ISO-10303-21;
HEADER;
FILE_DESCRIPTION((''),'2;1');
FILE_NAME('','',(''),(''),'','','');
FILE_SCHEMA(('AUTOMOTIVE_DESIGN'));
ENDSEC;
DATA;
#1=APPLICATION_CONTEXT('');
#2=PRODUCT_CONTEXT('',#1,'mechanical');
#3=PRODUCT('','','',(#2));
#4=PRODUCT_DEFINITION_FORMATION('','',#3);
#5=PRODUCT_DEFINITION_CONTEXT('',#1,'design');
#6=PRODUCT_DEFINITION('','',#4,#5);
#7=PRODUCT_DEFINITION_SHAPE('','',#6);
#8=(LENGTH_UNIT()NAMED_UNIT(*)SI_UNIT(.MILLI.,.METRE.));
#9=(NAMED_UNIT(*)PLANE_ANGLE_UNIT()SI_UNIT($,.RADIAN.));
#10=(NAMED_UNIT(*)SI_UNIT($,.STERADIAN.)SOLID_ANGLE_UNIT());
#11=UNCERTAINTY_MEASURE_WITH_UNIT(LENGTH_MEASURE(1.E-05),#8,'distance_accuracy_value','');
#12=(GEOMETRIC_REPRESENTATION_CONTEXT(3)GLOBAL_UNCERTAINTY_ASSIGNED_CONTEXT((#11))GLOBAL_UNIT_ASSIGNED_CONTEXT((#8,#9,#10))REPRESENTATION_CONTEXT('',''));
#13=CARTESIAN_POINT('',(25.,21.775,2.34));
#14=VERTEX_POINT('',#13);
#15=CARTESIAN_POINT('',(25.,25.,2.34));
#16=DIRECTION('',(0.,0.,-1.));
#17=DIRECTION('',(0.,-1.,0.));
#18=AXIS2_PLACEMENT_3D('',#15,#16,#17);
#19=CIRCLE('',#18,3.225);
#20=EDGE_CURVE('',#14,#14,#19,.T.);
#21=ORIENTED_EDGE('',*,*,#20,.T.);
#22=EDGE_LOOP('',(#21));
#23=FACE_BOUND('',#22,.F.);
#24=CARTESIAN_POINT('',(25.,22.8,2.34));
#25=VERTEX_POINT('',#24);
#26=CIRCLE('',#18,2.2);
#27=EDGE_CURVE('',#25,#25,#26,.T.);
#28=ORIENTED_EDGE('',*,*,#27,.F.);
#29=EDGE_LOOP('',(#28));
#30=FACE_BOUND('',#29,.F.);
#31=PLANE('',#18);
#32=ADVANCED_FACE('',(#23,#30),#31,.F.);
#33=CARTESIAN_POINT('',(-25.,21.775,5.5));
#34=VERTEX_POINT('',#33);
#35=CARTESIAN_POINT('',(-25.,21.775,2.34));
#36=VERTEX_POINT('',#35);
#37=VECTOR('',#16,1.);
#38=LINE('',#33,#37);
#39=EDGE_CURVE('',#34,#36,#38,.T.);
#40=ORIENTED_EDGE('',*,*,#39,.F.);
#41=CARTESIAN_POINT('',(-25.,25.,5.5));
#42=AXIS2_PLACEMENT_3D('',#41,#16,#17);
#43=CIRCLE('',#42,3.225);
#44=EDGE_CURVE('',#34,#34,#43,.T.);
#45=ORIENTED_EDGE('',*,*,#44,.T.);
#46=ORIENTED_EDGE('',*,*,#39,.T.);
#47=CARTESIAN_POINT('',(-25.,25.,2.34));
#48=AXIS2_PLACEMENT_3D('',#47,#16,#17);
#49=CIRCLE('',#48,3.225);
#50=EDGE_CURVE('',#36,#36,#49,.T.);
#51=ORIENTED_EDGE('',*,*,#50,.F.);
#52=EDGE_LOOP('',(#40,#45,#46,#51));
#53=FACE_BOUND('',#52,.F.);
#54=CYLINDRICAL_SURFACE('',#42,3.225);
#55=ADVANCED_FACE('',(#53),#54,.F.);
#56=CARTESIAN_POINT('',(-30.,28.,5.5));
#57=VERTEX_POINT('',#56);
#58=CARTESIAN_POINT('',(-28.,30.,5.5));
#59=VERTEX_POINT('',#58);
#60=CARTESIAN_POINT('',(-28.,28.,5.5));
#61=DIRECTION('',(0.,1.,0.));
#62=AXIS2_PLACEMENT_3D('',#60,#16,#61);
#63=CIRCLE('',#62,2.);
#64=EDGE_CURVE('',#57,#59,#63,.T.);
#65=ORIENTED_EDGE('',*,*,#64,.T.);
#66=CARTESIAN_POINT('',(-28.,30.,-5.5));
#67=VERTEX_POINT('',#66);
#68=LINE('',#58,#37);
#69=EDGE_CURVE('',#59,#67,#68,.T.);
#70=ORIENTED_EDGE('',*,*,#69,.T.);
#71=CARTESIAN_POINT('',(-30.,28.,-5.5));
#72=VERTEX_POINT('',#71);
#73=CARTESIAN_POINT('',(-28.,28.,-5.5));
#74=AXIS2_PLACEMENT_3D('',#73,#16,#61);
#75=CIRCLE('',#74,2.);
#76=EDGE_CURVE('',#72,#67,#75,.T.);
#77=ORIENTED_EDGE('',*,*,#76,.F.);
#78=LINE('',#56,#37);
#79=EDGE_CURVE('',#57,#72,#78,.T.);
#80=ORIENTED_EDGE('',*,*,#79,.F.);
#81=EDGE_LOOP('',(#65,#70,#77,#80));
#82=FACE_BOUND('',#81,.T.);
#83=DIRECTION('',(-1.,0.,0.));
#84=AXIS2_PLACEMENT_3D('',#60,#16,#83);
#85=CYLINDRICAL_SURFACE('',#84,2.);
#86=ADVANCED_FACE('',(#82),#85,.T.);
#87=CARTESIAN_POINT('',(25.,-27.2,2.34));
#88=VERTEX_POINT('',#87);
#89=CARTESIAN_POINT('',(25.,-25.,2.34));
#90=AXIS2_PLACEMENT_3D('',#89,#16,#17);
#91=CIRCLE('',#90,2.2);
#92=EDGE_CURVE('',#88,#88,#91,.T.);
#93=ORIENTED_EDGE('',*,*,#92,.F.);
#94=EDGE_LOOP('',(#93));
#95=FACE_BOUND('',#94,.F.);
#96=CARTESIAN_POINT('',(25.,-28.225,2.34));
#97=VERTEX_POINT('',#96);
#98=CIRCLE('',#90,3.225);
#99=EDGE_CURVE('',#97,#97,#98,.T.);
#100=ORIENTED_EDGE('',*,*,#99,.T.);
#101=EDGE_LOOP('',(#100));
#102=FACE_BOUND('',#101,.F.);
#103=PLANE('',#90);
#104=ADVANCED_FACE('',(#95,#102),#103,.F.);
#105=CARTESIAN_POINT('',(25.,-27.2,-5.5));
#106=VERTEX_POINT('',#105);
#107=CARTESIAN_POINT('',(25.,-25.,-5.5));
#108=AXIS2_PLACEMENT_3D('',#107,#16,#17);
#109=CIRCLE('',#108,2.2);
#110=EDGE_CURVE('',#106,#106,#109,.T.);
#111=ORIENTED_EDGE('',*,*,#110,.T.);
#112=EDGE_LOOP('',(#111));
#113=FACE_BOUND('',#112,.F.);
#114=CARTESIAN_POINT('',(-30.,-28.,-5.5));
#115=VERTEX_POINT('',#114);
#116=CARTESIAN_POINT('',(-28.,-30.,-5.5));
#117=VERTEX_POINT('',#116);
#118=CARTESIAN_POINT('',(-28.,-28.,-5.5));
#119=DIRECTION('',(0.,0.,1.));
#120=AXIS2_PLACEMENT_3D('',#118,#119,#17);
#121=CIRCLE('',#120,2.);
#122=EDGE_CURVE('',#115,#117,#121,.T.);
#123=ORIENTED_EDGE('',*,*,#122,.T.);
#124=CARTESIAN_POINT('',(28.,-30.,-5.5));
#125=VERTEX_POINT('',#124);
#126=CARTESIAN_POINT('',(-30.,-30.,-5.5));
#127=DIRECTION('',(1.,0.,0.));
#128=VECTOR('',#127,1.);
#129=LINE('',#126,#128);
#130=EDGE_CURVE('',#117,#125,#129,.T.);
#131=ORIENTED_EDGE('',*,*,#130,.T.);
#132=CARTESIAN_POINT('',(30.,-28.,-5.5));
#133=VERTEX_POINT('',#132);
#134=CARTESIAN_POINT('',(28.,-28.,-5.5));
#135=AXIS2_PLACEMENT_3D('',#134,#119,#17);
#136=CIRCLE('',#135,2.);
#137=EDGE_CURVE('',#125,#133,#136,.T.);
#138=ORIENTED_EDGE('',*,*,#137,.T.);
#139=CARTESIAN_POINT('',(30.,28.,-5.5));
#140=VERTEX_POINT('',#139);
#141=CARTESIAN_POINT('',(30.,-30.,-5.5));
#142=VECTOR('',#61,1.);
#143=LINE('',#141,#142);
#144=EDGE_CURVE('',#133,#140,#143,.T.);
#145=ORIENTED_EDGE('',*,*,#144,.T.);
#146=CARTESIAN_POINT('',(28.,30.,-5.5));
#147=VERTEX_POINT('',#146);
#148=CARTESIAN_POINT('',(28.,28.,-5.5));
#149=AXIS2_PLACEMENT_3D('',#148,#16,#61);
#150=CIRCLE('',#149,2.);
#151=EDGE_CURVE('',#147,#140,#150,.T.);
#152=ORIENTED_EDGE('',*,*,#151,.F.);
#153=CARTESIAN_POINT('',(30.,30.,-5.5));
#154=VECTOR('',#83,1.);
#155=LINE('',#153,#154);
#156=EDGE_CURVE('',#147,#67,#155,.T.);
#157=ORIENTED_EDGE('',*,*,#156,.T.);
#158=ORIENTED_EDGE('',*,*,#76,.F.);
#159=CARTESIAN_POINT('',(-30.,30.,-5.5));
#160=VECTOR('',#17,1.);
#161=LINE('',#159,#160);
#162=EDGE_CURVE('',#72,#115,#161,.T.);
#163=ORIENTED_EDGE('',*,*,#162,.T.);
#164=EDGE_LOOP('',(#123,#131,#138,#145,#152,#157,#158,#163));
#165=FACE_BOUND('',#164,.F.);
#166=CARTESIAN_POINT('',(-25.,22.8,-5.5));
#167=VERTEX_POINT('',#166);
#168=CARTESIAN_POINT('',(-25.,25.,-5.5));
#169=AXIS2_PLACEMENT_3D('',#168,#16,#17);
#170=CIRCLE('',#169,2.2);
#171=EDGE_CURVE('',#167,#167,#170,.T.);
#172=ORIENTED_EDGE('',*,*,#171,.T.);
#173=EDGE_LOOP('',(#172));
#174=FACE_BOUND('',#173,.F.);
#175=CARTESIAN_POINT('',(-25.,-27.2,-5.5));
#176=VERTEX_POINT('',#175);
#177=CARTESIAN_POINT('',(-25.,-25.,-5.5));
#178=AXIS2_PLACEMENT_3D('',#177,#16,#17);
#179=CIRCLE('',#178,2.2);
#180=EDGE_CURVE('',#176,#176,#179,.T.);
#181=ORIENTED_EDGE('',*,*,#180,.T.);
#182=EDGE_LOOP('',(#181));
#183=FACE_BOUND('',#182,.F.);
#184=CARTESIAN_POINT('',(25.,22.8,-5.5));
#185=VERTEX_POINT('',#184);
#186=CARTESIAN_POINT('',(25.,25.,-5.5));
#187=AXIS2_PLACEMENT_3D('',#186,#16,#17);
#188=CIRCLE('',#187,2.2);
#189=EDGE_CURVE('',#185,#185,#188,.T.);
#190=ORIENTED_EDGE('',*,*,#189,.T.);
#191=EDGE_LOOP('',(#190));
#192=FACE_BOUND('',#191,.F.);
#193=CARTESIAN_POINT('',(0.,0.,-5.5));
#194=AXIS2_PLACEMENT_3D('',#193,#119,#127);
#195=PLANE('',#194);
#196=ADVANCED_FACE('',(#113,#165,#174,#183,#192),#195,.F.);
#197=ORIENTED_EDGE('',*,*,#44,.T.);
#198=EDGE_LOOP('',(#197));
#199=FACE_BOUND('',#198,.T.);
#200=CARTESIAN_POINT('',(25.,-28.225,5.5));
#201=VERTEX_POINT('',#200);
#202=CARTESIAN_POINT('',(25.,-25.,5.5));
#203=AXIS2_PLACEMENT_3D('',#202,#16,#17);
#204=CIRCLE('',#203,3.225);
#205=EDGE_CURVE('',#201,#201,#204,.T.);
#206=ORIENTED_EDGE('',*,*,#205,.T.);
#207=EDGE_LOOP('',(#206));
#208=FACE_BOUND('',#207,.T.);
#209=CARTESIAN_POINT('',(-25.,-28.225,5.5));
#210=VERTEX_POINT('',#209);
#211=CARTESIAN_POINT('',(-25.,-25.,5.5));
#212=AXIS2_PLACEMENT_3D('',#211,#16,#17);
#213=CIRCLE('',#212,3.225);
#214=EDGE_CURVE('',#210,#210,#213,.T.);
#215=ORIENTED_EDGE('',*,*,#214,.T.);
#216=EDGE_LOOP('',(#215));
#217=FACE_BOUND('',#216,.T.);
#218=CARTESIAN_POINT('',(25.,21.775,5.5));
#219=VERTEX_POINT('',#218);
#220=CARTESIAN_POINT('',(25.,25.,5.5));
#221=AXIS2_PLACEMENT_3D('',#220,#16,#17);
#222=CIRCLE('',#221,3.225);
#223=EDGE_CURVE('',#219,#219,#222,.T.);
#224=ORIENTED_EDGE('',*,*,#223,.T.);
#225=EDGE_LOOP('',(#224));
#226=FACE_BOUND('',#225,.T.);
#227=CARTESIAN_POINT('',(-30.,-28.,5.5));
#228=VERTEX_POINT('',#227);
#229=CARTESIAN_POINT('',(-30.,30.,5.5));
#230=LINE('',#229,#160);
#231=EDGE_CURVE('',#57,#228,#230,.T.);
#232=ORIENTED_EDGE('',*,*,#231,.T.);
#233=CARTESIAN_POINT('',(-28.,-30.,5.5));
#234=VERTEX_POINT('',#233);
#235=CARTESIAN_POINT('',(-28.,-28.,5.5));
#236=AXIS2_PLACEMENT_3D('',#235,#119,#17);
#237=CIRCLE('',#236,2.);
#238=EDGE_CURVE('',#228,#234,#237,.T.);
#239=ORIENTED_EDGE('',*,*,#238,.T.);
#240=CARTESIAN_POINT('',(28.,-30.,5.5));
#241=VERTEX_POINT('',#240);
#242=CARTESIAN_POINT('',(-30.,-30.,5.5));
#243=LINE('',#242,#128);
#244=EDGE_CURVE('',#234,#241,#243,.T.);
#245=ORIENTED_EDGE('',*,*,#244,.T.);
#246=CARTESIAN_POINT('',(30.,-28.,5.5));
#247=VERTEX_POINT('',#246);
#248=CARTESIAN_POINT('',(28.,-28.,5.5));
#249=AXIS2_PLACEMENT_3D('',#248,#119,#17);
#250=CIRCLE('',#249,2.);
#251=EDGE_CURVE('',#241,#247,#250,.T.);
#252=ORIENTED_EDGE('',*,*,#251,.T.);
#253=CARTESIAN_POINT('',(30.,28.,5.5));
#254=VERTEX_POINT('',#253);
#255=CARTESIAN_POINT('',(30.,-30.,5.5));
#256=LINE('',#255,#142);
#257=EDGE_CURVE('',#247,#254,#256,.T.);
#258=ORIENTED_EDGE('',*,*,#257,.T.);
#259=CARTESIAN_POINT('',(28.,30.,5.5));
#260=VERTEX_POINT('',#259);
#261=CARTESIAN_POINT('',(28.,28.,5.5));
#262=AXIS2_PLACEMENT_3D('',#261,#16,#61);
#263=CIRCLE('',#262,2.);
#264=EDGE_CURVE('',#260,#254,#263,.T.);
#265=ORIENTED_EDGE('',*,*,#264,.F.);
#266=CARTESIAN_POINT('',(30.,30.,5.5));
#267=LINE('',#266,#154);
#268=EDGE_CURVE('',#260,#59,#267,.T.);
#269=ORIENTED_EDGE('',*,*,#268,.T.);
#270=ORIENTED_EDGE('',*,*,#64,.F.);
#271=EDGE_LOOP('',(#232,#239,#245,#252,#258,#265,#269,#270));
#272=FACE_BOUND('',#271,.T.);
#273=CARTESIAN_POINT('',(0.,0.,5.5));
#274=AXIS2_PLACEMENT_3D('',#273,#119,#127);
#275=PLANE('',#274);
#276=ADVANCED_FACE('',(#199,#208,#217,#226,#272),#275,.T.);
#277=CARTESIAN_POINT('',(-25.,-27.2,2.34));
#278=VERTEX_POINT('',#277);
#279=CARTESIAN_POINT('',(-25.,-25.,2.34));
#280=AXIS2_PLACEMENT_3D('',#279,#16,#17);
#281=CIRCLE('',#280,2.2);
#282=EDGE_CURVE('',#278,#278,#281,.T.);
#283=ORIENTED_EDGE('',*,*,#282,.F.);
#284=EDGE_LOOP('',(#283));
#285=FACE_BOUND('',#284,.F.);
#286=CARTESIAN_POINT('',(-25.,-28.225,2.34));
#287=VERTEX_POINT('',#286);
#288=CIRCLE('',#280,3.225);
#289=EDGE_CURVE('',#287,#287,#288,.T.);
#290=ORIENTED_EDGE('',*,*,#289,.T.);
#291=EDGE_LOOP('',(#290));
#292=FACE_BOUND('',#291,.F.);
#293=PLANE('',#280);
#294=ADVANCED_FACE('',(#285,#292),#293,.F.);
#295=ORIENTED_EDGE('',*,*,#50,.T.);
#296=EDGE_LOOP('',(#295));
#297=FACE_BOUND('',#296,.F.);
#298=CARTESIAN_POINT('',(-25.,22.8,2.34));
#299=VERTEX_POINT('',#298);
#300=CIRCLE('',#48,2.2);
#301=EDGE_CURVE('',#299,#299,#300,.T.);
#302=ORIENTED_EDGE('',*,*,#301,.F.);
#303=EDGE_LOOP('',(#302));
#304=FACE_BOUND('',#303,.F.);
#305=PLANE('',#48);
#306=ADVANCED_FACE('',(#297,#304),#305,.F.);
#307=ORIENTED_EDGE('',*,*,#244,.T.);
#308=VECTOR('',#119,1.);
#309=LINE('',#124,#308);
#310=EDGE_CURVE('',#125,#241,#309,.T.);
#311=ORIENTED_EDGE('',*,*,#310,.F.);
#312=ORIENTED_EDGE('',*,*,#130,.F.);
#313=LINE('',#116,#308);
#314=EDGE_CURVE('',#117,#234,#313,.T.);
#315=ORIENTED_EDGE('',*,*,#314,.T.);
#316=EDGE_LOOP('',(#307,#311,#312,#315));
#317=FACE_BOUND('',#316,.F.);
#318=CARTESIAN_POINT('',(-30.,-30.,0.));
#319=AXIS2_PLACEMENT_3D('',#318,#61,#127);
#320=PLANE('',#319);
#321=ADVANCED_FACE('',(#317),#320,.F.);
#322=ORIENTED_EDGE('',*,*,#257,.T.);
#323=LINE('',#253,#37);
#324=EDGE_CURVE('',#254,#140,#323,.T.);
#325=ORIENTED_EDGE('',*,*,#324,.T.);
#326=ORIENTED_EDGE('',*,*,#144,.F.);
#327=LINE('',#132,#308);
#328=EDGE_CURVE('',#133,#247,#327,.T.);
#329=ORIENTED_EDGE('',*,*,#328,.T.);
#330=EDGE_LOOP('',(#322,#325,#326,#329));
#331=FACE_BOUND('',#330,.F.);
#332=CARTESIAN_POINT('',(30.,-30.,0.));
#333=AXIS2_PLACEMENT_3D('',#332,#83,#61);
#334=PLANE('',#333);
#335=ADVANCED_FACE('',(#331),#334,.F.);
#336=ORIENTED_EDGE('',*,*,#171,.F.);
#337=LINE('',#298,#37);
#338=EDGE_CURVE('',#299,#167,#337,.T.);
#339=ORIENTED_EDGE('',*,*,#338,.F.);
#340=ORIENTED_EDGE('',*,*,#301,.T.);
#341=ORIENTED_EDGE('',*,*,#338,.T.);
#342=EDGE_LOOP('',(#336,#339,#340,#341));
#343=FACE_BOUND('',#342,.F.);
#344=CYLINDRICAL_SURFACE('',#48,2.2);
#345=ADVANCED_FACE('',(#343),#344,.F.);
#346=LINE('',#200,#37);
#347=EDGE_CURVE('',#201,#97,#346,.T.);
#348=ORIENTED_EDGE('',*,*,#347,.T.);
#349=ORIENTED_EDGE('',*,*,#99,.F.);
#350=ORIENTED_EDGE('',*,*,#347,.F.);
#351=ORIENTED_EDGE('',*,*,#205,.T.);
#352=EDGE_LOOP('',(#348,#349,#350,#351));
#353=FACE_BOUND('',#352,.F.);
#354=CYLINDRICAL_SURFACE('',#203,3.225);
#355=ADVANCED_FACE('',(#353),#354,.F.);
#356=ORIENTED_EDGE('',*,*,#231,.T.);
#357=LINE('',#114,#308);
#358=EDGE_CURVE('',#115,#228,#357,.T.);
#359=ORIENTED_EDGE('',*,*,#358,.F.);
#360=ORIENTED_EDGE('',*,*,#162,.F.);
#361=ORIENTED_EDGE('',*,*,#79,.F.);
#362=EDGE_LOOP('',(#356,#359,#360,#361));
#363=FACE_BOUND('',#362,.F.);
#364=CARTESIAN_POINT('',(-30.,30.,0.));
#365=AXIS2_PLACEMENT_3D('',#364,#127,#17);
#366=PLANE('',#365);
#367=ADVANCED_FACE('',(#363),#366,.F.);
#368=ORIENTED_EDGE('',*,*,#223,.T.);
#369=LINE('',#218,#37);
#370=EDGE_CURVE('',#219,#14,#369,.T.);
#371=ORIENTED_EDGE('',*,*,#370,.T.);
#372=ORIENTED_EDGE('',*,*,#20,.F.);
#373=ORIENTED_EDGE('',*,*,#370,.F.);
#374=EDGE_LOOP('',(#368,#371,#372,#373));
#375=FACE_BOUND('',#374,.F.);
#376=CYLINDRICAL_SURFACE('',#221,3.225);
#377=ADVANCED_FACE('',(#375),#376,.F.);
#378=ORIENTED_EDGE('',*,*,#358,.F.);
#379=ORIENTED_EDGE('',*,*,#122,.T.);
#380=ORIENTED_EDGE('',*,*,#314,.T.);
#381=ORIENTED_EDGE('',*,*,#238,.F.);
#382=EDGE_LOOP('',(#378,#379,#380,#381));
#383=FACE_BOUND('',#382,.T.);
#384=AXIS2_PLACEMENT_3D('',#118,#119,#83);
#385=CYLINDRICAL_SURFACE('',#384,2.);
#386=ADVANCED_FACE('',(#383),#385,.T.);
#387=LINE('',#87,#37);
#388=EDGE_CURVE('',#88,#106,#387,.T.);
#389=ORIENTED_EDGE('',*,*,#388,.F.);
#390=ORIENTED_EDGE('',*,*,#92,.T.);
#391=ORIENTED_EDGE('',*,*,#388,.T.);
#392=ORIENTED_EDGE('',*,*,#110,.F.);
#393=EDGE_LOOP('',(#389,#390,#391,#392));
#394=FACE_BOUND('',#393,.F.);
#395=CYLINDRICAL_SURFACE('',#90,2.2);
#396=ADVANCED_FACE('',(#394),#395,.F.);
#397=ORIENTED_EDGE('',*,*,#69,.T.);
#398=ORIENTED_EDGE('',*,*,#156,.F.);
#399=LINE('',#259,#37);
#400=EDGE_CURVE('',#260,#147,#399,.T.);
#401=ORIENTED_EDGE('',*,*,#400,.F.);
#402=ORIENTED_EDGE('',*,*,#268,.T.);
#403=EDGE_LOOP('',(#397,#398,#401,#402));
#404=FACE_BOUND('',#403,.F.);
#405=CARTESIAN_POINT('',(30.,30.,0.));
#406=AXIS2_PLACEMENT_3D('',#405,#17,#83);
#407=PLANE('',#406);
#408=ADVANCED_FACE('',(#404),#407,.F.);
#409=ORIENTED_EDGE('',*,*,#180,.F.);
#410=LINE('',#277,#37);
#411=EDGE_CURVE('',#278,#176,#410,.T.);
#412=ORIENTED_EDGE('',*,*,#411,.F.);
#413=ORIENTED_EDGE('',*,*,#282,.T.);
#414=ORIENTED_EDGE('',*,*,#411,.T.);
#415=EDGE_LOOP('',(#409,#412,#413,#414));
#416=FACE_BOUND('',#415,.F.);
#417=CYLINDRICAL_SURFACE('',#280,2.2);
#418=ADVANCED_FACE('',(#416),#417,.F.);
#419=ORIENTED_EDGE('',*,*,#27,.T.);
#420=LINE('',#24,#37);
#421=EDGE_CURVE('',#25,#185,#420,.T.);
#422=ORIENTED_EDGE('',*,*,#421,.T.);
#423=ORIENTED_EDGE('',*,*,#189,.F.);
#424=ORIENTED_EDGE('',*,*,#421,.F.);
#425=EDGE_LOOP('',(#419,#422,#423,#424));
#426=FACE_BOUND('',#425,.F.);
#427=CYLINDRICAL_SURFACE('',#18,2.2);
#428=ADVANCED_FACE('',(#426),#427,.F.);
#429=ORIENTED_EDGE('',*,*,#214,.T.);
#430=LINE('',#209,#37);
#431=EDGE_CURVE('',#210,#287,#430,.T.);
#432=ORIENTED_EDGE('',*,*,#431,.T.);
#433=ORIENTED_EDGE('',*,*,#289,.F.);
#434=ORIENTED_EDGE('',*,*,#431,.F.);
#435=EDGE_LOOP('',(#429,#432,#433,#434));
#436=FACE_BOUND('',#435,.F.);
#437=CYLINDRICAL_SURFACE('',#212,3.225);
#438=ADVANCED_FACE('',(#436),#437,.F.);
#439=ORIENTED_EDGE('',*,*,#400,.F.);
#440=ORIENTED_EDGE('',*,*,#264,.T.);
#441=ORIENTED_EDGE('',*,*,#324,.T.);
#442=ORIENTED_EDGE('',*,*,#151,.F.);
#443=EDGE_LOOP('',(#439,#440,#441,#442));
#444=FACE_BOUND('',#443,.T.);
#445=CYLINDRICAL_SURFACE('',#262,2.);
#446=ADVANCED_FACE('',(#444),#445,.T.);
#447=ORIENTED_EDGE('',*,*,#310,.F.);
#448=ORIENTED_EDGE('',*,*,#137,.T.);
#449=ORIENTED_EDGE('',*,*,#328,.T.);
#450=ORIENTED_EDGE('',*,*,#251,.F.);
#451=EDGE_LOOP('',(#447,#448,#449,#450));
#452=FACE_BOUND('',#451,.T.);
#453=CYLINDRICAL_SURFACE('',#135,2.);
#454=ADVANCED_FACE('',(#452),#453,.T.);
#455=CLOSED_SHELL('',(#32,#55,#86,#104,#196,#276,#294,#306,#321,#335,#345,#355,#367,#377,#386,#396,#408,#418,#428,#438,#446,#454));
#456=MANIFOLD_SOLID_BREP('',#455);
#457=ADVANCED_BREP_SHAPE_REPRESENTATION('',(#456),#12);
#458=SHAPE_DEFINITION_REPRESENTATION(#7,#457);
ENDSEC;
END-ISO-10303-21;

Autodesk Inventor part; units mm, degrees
ref_plane "YZ Plane" through (0, 0, 0) normal (1, 0, 0) x (0, 1, 0)
ref_plane "XZ Plane" through (0, 0, 0) normal (0, 1, 0) x (-1, 0, 0)
ref_plane "XY Plane" through (0, 0, 0) normal (0, 0, 1) x (1, 0, 0)
sketch "Esquisse1" plane through (0, 0, 0) normal (0, 0, 1) x (1, 0, 0)
  line L0 (-30, -30) -> (30, -30)
  line L1 (30, -30) -> (30, 30)
  line L2 (30, 30) -> (-30, 30)
  line L3 (-30, 30) -> (-30, -30)
  line L4 (-30, -30) -> (30, 30) construction
  line L5 (30, -30) -> (-30, 30) construction
  point P0 (0, 0)
  dimension "d0" = 60
  dimension "d1" = 60
extrude "Extrusion1" add sketch "Esquisse1" along normal mid plane 11
sketch "Esquisse2" plane through (0, 0, 5.5) normal (0, 0, 1) x (1, 0, 0)
  point P0 (0, 0)
  point P1 (-25, 25)
  point P2 (25, 25)
  point P3 (25, -25)
  point P4 (-25, -25)
  dimension "d4" = 50
  dimension "d5" = 50
  dimension "d7" = 25
  dimension "d8" = 25
hole "Perçage1" at (-25, 25, 5.5) at (25, 25, 5.5) at (25, -25, 5.5) at (-25, -25, 5.5) direction (0, 0, -1) diameter 4.4 end through all counterbore diameter 6.45 counterbore depth 3.16
fillet "Congé1" radius 2 4 edges at (-30, 30, 0) (30, 30, 0) (30, -30, 0) (-30, -30, 0)
sketch "Esquisse3" plane through (-28, -30, -5.5) normal (0, -1, 0) x (1, 0, 0)
  line L0 (56, 0) -> (0, 0) projected
  point P0 (28, 5.5)
  point P1 (5, 3)
  point P2 (8, 3)
  dimension "d17" = 3
  dimension "d18" = 3
  dimension "d19" = 5
equation "\"d7\" = 0.5 * d5"
equation "\"d8\" = 0.5 * d5"
equation "\"pi\" = 3.141593"
equation "\"nombredor\" = 1.61803"
properties part number "Ventillateur_60x60x11" material "Plastique ABS"
